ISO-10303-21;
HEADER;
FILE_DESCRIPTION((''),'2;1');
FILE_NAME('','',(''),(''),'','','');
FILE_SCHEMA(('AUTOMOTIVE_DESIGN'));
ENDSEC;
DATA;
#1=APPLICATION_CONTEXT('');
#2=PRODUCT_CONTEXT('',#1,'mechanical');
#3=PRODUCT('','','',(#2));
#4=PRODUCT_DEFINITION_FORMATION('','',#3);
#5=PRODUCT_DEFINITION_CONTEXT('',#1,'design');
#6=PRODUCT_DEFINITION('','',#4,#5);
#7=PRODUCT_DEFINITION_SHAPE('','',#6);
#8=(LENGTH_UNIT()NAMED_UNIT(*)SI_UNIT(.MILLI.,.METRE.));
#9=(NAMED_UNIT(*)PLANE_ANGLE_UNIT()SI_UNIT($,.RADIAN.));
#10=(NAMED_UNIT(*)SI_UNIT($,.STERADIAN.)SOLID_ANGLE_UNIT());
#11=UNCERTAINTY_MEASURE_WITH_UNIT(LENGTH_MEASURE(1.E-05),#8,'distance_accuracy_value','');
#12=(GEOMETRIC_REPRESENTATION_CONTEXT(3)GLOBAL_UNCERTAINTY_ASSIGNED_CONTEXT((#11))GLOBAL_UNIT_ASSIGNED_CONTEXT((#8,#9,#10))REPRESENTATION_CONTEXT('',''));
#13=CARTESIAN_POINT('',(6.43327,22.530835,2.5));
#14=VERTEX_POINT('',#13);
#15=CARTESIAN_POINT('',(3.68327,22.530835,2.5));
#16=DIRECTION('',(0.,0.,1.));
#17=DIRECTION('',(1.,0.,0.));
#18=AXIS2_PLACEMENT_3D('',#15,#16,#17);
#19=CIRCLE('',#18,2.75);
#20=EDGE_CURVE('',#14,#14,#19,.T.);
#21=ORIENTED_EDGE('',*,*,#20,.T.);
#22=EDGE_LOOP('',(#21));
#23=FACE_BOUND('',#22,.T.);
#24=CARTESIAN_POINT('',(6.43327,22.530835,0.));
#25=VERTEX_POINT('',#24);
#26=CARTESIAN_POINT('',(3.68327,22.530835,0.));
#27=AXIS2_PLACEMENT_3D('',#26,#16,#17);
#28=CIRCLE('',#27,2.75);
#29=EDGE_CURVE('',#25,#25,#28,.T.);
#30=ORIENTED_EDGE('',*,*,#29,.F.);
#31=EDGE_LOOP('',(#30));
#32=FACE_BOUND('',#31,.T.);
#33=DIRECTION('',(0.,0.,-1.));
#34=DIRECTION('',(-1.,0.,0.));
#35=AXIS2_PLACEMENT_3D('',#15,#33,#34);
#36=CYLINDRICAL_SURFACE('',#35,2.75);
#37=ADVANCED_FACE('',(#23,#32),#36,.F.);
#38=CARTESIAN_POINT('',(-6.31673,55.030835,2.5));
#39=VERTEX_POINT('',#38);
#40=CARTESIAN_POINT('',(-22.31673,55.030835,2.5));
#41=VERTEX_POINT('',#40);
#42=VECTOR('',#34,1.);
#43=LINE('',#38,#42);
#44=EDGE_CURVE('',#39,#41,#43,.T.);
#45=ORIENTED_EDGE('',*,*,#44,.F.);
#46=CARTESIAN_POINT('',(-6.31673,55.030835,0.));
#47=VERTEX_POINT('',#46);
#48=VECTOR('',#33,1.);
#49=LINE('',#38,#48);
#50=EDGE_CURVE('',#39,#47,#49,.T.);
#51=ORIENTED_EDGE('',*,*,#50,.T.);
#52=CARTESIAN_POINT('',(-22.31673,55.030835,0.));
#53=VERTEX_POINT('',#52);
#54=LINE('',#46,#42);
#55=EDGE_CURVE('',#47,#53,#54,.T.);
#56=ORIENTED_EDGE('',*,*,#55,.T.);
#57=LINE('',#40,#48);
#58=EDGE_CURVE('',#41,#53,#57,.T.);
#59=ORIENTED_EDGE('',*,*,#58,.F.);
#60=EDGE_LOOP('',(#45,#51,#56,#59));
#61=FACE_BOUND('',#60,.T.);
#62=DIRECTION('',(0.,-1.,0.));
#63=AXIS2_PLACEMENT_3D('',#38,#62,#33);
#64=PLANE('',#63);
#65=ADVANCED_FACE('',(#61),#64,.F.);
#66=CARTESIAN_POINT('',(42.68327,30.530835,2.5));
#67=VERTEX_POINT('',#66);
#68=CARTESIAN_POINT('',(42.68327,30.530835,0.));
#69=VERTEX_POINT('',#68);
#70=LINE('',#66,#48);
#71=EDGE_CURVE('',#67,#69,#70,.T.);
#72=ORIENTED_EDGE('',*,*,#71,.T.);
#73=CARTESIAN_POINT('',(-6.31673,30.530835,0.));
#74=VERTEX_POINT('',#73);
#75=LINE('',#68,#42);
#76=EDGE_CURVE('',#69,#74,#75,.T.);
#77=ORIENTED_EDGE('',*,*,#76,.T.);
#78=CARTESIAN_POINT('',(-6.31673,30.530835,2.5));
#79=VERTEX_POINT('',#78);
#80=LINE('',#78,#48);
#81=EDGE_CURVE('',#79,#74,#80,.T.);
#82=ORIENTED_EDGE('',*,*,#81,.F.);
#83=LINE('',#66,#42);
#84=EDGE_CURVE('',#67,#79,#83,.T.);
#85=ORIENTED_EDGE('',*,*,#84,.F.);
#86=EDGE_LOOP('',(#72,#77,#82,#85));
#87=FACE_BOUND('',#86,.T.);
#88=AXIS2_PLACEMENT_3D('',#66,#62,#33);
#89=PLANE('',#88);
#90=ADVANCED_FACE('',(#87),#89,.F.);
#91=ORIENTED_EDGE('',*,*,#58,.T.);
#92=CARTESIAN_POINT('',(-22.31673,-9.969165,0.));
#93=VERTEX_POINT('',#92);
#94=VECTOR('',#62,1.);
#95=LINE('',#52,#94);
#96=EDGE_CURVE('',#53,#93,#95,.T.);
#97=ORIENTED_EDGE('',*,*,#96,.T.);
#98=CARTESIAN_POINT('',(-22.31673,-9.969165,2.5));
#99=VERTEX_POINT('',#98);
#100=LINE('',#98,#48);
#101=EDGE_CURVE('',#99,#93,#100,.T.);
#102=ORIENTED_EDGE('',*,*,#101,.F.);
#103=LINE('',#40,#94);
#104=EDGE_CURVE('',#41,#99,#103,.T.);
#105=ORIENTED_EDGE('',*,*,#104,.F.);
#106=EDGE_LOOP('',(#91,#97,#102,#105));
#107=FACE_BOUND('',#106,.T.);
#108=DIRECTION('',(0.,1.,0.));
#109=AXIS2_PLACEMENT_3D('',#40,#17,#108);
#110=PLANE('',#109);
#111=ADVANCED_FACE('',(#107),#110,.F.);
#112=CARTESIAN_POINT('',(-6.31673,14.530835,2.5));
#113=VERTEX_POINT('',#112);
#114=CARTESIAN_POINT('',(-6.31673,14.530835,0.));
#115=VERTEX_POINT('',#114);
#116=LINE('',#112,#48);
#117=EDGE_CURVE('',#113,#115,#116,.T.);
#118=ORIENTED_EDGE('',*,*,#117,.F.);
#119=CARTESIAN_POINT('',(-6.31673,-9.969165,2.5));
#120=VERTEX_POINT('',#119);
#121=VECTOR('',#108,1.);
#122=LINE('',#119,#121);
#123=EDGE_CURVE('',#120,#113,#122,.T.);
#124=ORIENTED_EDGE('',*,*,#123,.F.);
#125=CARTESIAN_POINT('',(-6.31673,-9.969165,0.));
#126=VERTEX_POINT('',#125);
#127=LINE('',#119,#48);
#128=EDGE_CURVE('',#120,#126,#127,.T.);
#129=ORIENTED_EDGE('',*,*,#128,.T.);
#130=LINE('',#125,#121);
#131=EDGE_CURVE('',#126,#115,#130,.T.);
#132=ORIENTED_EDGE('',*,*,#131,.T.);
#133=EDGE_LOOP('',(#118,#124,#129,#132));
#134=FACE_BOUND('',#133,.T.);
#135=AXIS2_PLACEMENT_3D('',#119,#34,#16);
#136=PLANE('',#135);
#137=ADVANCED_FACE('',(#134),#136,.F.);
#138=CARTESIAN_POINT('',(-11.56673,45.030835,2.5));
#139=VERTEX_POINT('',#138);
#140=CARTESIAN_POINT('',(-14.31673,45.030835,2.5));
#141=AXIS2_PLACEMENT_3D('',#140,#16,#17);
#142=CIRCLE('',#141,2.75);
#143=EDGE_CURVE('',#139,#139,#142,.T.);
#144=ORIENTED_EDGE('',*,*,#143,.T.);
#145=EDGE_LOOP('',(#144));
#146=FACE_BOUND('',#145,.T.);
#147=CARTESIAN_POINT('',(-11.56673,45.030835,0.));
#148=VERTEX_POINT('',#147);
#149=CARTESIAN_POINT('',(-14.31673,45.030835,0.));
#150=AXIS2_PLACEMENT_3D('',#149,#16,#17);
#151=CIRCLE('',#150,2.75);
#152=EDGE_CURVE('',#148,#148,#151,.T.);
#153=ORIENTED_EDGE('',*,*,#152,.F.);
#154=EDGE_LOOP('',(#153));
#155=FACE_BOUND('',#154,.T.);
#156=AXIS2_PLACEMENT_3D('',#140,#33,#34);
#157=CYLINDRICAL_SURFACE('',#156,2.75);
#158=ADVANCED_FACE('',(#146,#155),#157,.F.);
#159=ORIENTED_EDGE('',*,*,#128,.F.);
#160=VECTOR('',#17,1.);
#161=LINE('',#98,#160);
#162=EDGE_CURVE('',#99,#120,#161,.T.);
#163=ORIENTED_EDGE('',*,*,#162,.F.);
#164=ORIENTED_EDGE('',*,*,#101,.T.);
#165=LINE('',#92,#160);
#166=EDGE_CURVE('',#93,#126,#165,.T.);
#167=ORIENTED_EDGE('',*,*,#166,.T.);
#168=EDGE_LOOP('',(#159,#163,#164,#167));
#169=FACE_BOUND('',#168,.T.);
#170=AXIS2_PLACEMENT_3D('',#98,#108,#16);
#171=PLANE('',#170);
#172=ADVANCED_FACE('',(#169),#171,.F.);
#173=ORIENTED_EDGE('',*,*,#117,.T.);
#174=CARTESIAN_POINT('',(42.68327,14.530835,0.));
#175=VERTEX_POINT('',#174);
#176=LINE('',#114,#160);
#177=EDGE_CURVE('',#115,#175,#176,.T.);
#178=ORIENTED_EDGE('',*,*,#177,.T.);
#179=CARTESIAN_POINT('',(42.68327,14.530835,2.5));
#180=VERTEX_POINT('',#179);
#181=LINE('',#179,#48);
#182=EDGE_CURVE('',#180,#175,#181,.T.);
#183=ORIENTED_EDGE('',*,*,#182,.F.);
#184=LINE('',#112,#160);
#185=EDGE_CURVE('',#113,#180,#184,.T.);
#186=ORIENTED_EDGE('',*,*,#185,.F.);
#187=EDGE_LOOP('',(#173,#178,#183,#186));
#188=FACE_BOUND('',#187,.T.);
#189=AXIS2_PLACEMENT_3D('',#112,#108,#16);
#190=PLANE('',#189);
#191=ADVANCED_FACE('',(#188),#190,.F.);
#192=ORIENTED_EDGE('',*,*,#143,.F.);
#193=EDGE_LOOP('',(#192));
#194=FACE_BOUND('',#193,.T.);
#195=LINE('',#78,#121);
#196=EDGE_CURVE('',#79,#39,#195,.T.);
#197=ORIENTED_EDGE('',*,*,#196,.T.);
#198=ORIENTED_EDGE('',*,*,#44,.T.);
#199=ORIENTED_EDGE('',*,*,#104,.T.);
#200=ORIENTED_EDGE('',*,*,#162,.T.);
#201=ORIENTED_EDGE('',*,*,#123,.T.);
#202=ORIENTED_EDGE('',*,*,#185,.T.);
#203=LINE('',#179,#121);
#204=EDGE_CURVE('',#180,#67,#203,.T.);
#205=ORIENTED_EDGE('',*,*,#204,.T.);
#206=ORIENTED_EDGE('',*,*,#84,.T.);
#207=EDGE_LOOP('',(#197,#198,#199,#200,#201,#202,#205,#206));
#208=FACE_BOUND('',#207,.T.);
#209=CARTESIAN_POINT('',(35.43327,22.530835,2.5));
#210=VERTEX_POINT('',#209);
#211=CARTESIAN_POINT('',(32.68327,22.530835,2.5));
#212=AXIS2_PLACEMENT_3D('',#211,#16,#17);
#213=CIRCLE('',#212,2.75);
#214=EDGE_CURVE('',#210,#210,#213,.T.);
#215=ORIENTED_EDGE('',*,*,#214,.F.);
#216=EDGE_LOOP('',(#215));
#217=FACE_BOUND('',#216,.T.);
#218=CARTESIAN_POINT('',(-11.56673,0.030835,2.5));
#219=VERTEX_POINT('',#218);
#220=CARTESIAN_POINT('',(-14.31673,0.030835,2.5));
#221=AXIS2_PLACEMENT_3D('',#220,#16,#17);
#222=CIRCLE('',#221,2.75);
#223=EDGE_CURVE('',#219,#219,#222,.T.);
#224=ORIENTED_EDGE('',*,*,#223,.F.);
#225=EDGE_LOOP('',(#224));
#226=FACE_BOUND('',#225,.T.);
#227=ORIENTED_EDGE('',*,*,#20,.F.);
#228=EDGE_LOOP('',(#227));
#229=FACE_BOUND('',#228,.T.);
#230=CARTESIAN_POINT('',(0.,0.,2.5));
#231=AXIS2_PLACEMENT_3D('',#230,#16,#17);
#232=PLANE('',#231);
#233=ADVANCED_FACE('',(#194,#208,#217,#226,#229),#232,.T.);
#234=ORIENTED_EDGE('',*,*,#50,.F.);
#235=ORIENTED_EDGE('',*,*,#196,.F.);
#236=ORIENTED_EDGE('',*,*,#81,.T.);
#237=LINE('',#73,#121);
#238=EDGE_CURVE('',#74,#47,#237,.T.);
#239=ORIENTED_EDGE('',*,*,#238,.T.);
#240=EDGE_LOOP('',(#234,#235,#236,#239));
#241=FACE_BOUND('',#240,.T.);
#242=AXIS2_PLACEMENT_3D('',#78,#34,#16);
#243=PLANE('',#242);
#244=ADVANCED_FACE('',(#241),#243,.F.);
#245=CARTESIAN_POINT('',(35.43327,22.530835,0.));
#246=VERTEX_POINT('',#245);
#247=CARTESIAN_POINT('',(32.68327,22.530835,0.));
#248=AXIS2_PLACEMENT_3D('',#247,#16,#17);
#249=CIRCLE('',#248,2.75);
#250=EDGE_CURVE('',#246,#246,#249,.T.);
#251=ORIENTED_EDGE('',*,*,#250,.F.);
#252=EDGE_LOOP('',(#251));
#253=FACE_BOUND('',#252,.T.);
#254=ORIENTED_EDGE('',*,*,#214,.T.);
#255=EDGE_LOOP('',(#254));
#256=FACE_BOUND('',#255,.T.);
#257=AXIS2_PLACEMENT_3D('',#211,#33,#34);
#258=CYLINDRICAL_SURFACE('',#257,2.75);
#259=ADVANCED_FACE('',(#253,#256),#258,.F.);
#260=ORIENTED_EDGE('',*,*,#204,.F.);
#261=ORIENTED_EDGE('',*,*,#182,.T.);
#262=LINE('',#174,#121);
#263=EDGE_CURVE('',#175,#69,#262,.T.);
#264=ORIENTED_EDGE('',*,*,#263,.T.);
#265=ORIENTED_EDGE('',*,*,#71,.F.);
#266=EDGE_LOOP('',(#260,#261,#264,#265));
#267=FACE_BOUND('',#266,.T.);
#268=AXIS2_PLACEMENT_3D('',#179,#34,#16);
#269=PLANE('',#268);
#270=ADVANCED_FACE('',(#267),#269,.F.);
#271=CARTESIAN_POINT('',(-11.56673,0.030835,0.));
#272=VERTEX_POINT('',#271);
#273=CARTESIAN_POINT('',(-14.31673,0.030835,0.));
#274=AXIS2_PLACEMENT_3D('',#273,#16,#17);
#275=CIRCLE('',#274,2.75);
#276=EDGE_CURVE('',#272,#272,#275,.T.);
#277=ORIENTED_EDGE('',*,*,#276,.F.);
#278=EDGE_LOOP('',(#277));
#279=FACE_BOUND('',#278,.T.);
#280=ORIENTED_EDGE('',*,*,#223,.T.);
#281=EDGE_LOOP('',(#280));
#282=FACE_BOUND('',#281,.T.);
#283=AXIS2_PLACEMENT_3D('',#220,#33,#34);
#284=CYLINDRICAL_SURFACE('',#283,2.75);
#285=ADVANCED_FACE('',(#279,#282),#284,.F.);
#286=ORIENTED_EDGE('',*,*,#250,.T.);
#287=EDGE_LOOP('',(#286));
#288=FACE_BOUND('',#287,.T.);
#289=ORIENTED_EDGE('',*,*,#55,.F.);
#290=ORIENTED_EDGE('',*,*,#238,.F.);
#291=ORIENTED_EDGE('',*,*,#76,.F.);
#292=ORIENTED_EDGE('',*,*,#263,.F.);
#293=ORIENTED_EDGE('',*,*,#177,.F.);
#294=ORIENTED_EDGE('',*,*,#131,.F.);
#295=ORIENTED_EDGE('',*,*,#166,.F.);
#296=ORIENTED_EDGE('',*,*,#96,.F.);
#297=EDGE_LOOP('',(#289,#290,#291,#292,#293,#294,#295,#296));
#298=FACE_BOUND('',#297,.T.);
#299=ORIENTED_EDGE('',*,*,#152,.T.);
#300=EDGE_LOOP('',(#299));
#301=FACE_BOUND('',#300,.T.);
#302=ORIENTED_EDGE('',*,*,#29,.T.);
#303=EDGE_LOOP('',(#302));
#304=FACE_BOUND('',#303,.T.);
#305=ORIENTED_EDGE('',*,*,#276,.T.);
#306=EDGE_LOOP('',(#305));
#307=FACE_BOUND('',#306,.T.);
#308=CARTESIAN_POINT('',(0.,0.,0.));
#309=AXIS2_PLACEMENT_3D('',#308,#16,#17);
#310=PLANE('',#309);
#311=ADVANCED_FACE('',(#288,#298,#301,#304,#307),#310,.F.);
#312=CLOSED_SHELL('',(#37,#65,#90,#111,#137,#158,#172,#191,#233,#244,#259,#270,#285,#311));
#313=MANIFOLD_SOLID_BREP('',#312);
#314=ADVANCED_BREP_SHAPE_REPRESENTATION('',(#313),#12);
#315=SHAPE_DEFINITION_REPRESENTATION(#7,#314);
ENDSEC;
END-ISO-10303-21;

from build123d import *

# Parameters (mm, degrees)
SKETCH_1_R      = 2.75
EXTRUDE_1_DEPTH = 2.5


with BuildPart() as part:
    # 草图1 → 凸台-拉伸1 (new body)
    with BuildSketch(Plane.XY):
        Polygon((-22.31672973, 55.030834523), (-22.31672973, -9.969165477), (-6.31672973, -9.969165477), (-6.31672973, 14.530834523), (42.68327027, 14.530834523), (42.68327027, 30.530834523), (-6.31672973, 30.530834523), (-6.31672973, 55.030834523), align=None)
        with Locations((32.68327027, 22.530834523)):
            Circle(SKETCH_1_R, mode=Mode.SUBTRACT)
        with Locations((3.68327027, 22.530834523)):
            Circle(SKETCH_1_R, mode=Mode.SUBTRACT)
        with Locations((-14.31672973, 0.030834523)):
            Circle(SKETCH_1_R, mode=Mode.SUBTRACT)
        with Locations((-14.31672973, 45.030834523)):
            Circle(SKETCH_1_R, mode=Mode.SUBTRACT)
    extrude(amount=EXTRUDE_1_DEPTH)


solid = part.part
